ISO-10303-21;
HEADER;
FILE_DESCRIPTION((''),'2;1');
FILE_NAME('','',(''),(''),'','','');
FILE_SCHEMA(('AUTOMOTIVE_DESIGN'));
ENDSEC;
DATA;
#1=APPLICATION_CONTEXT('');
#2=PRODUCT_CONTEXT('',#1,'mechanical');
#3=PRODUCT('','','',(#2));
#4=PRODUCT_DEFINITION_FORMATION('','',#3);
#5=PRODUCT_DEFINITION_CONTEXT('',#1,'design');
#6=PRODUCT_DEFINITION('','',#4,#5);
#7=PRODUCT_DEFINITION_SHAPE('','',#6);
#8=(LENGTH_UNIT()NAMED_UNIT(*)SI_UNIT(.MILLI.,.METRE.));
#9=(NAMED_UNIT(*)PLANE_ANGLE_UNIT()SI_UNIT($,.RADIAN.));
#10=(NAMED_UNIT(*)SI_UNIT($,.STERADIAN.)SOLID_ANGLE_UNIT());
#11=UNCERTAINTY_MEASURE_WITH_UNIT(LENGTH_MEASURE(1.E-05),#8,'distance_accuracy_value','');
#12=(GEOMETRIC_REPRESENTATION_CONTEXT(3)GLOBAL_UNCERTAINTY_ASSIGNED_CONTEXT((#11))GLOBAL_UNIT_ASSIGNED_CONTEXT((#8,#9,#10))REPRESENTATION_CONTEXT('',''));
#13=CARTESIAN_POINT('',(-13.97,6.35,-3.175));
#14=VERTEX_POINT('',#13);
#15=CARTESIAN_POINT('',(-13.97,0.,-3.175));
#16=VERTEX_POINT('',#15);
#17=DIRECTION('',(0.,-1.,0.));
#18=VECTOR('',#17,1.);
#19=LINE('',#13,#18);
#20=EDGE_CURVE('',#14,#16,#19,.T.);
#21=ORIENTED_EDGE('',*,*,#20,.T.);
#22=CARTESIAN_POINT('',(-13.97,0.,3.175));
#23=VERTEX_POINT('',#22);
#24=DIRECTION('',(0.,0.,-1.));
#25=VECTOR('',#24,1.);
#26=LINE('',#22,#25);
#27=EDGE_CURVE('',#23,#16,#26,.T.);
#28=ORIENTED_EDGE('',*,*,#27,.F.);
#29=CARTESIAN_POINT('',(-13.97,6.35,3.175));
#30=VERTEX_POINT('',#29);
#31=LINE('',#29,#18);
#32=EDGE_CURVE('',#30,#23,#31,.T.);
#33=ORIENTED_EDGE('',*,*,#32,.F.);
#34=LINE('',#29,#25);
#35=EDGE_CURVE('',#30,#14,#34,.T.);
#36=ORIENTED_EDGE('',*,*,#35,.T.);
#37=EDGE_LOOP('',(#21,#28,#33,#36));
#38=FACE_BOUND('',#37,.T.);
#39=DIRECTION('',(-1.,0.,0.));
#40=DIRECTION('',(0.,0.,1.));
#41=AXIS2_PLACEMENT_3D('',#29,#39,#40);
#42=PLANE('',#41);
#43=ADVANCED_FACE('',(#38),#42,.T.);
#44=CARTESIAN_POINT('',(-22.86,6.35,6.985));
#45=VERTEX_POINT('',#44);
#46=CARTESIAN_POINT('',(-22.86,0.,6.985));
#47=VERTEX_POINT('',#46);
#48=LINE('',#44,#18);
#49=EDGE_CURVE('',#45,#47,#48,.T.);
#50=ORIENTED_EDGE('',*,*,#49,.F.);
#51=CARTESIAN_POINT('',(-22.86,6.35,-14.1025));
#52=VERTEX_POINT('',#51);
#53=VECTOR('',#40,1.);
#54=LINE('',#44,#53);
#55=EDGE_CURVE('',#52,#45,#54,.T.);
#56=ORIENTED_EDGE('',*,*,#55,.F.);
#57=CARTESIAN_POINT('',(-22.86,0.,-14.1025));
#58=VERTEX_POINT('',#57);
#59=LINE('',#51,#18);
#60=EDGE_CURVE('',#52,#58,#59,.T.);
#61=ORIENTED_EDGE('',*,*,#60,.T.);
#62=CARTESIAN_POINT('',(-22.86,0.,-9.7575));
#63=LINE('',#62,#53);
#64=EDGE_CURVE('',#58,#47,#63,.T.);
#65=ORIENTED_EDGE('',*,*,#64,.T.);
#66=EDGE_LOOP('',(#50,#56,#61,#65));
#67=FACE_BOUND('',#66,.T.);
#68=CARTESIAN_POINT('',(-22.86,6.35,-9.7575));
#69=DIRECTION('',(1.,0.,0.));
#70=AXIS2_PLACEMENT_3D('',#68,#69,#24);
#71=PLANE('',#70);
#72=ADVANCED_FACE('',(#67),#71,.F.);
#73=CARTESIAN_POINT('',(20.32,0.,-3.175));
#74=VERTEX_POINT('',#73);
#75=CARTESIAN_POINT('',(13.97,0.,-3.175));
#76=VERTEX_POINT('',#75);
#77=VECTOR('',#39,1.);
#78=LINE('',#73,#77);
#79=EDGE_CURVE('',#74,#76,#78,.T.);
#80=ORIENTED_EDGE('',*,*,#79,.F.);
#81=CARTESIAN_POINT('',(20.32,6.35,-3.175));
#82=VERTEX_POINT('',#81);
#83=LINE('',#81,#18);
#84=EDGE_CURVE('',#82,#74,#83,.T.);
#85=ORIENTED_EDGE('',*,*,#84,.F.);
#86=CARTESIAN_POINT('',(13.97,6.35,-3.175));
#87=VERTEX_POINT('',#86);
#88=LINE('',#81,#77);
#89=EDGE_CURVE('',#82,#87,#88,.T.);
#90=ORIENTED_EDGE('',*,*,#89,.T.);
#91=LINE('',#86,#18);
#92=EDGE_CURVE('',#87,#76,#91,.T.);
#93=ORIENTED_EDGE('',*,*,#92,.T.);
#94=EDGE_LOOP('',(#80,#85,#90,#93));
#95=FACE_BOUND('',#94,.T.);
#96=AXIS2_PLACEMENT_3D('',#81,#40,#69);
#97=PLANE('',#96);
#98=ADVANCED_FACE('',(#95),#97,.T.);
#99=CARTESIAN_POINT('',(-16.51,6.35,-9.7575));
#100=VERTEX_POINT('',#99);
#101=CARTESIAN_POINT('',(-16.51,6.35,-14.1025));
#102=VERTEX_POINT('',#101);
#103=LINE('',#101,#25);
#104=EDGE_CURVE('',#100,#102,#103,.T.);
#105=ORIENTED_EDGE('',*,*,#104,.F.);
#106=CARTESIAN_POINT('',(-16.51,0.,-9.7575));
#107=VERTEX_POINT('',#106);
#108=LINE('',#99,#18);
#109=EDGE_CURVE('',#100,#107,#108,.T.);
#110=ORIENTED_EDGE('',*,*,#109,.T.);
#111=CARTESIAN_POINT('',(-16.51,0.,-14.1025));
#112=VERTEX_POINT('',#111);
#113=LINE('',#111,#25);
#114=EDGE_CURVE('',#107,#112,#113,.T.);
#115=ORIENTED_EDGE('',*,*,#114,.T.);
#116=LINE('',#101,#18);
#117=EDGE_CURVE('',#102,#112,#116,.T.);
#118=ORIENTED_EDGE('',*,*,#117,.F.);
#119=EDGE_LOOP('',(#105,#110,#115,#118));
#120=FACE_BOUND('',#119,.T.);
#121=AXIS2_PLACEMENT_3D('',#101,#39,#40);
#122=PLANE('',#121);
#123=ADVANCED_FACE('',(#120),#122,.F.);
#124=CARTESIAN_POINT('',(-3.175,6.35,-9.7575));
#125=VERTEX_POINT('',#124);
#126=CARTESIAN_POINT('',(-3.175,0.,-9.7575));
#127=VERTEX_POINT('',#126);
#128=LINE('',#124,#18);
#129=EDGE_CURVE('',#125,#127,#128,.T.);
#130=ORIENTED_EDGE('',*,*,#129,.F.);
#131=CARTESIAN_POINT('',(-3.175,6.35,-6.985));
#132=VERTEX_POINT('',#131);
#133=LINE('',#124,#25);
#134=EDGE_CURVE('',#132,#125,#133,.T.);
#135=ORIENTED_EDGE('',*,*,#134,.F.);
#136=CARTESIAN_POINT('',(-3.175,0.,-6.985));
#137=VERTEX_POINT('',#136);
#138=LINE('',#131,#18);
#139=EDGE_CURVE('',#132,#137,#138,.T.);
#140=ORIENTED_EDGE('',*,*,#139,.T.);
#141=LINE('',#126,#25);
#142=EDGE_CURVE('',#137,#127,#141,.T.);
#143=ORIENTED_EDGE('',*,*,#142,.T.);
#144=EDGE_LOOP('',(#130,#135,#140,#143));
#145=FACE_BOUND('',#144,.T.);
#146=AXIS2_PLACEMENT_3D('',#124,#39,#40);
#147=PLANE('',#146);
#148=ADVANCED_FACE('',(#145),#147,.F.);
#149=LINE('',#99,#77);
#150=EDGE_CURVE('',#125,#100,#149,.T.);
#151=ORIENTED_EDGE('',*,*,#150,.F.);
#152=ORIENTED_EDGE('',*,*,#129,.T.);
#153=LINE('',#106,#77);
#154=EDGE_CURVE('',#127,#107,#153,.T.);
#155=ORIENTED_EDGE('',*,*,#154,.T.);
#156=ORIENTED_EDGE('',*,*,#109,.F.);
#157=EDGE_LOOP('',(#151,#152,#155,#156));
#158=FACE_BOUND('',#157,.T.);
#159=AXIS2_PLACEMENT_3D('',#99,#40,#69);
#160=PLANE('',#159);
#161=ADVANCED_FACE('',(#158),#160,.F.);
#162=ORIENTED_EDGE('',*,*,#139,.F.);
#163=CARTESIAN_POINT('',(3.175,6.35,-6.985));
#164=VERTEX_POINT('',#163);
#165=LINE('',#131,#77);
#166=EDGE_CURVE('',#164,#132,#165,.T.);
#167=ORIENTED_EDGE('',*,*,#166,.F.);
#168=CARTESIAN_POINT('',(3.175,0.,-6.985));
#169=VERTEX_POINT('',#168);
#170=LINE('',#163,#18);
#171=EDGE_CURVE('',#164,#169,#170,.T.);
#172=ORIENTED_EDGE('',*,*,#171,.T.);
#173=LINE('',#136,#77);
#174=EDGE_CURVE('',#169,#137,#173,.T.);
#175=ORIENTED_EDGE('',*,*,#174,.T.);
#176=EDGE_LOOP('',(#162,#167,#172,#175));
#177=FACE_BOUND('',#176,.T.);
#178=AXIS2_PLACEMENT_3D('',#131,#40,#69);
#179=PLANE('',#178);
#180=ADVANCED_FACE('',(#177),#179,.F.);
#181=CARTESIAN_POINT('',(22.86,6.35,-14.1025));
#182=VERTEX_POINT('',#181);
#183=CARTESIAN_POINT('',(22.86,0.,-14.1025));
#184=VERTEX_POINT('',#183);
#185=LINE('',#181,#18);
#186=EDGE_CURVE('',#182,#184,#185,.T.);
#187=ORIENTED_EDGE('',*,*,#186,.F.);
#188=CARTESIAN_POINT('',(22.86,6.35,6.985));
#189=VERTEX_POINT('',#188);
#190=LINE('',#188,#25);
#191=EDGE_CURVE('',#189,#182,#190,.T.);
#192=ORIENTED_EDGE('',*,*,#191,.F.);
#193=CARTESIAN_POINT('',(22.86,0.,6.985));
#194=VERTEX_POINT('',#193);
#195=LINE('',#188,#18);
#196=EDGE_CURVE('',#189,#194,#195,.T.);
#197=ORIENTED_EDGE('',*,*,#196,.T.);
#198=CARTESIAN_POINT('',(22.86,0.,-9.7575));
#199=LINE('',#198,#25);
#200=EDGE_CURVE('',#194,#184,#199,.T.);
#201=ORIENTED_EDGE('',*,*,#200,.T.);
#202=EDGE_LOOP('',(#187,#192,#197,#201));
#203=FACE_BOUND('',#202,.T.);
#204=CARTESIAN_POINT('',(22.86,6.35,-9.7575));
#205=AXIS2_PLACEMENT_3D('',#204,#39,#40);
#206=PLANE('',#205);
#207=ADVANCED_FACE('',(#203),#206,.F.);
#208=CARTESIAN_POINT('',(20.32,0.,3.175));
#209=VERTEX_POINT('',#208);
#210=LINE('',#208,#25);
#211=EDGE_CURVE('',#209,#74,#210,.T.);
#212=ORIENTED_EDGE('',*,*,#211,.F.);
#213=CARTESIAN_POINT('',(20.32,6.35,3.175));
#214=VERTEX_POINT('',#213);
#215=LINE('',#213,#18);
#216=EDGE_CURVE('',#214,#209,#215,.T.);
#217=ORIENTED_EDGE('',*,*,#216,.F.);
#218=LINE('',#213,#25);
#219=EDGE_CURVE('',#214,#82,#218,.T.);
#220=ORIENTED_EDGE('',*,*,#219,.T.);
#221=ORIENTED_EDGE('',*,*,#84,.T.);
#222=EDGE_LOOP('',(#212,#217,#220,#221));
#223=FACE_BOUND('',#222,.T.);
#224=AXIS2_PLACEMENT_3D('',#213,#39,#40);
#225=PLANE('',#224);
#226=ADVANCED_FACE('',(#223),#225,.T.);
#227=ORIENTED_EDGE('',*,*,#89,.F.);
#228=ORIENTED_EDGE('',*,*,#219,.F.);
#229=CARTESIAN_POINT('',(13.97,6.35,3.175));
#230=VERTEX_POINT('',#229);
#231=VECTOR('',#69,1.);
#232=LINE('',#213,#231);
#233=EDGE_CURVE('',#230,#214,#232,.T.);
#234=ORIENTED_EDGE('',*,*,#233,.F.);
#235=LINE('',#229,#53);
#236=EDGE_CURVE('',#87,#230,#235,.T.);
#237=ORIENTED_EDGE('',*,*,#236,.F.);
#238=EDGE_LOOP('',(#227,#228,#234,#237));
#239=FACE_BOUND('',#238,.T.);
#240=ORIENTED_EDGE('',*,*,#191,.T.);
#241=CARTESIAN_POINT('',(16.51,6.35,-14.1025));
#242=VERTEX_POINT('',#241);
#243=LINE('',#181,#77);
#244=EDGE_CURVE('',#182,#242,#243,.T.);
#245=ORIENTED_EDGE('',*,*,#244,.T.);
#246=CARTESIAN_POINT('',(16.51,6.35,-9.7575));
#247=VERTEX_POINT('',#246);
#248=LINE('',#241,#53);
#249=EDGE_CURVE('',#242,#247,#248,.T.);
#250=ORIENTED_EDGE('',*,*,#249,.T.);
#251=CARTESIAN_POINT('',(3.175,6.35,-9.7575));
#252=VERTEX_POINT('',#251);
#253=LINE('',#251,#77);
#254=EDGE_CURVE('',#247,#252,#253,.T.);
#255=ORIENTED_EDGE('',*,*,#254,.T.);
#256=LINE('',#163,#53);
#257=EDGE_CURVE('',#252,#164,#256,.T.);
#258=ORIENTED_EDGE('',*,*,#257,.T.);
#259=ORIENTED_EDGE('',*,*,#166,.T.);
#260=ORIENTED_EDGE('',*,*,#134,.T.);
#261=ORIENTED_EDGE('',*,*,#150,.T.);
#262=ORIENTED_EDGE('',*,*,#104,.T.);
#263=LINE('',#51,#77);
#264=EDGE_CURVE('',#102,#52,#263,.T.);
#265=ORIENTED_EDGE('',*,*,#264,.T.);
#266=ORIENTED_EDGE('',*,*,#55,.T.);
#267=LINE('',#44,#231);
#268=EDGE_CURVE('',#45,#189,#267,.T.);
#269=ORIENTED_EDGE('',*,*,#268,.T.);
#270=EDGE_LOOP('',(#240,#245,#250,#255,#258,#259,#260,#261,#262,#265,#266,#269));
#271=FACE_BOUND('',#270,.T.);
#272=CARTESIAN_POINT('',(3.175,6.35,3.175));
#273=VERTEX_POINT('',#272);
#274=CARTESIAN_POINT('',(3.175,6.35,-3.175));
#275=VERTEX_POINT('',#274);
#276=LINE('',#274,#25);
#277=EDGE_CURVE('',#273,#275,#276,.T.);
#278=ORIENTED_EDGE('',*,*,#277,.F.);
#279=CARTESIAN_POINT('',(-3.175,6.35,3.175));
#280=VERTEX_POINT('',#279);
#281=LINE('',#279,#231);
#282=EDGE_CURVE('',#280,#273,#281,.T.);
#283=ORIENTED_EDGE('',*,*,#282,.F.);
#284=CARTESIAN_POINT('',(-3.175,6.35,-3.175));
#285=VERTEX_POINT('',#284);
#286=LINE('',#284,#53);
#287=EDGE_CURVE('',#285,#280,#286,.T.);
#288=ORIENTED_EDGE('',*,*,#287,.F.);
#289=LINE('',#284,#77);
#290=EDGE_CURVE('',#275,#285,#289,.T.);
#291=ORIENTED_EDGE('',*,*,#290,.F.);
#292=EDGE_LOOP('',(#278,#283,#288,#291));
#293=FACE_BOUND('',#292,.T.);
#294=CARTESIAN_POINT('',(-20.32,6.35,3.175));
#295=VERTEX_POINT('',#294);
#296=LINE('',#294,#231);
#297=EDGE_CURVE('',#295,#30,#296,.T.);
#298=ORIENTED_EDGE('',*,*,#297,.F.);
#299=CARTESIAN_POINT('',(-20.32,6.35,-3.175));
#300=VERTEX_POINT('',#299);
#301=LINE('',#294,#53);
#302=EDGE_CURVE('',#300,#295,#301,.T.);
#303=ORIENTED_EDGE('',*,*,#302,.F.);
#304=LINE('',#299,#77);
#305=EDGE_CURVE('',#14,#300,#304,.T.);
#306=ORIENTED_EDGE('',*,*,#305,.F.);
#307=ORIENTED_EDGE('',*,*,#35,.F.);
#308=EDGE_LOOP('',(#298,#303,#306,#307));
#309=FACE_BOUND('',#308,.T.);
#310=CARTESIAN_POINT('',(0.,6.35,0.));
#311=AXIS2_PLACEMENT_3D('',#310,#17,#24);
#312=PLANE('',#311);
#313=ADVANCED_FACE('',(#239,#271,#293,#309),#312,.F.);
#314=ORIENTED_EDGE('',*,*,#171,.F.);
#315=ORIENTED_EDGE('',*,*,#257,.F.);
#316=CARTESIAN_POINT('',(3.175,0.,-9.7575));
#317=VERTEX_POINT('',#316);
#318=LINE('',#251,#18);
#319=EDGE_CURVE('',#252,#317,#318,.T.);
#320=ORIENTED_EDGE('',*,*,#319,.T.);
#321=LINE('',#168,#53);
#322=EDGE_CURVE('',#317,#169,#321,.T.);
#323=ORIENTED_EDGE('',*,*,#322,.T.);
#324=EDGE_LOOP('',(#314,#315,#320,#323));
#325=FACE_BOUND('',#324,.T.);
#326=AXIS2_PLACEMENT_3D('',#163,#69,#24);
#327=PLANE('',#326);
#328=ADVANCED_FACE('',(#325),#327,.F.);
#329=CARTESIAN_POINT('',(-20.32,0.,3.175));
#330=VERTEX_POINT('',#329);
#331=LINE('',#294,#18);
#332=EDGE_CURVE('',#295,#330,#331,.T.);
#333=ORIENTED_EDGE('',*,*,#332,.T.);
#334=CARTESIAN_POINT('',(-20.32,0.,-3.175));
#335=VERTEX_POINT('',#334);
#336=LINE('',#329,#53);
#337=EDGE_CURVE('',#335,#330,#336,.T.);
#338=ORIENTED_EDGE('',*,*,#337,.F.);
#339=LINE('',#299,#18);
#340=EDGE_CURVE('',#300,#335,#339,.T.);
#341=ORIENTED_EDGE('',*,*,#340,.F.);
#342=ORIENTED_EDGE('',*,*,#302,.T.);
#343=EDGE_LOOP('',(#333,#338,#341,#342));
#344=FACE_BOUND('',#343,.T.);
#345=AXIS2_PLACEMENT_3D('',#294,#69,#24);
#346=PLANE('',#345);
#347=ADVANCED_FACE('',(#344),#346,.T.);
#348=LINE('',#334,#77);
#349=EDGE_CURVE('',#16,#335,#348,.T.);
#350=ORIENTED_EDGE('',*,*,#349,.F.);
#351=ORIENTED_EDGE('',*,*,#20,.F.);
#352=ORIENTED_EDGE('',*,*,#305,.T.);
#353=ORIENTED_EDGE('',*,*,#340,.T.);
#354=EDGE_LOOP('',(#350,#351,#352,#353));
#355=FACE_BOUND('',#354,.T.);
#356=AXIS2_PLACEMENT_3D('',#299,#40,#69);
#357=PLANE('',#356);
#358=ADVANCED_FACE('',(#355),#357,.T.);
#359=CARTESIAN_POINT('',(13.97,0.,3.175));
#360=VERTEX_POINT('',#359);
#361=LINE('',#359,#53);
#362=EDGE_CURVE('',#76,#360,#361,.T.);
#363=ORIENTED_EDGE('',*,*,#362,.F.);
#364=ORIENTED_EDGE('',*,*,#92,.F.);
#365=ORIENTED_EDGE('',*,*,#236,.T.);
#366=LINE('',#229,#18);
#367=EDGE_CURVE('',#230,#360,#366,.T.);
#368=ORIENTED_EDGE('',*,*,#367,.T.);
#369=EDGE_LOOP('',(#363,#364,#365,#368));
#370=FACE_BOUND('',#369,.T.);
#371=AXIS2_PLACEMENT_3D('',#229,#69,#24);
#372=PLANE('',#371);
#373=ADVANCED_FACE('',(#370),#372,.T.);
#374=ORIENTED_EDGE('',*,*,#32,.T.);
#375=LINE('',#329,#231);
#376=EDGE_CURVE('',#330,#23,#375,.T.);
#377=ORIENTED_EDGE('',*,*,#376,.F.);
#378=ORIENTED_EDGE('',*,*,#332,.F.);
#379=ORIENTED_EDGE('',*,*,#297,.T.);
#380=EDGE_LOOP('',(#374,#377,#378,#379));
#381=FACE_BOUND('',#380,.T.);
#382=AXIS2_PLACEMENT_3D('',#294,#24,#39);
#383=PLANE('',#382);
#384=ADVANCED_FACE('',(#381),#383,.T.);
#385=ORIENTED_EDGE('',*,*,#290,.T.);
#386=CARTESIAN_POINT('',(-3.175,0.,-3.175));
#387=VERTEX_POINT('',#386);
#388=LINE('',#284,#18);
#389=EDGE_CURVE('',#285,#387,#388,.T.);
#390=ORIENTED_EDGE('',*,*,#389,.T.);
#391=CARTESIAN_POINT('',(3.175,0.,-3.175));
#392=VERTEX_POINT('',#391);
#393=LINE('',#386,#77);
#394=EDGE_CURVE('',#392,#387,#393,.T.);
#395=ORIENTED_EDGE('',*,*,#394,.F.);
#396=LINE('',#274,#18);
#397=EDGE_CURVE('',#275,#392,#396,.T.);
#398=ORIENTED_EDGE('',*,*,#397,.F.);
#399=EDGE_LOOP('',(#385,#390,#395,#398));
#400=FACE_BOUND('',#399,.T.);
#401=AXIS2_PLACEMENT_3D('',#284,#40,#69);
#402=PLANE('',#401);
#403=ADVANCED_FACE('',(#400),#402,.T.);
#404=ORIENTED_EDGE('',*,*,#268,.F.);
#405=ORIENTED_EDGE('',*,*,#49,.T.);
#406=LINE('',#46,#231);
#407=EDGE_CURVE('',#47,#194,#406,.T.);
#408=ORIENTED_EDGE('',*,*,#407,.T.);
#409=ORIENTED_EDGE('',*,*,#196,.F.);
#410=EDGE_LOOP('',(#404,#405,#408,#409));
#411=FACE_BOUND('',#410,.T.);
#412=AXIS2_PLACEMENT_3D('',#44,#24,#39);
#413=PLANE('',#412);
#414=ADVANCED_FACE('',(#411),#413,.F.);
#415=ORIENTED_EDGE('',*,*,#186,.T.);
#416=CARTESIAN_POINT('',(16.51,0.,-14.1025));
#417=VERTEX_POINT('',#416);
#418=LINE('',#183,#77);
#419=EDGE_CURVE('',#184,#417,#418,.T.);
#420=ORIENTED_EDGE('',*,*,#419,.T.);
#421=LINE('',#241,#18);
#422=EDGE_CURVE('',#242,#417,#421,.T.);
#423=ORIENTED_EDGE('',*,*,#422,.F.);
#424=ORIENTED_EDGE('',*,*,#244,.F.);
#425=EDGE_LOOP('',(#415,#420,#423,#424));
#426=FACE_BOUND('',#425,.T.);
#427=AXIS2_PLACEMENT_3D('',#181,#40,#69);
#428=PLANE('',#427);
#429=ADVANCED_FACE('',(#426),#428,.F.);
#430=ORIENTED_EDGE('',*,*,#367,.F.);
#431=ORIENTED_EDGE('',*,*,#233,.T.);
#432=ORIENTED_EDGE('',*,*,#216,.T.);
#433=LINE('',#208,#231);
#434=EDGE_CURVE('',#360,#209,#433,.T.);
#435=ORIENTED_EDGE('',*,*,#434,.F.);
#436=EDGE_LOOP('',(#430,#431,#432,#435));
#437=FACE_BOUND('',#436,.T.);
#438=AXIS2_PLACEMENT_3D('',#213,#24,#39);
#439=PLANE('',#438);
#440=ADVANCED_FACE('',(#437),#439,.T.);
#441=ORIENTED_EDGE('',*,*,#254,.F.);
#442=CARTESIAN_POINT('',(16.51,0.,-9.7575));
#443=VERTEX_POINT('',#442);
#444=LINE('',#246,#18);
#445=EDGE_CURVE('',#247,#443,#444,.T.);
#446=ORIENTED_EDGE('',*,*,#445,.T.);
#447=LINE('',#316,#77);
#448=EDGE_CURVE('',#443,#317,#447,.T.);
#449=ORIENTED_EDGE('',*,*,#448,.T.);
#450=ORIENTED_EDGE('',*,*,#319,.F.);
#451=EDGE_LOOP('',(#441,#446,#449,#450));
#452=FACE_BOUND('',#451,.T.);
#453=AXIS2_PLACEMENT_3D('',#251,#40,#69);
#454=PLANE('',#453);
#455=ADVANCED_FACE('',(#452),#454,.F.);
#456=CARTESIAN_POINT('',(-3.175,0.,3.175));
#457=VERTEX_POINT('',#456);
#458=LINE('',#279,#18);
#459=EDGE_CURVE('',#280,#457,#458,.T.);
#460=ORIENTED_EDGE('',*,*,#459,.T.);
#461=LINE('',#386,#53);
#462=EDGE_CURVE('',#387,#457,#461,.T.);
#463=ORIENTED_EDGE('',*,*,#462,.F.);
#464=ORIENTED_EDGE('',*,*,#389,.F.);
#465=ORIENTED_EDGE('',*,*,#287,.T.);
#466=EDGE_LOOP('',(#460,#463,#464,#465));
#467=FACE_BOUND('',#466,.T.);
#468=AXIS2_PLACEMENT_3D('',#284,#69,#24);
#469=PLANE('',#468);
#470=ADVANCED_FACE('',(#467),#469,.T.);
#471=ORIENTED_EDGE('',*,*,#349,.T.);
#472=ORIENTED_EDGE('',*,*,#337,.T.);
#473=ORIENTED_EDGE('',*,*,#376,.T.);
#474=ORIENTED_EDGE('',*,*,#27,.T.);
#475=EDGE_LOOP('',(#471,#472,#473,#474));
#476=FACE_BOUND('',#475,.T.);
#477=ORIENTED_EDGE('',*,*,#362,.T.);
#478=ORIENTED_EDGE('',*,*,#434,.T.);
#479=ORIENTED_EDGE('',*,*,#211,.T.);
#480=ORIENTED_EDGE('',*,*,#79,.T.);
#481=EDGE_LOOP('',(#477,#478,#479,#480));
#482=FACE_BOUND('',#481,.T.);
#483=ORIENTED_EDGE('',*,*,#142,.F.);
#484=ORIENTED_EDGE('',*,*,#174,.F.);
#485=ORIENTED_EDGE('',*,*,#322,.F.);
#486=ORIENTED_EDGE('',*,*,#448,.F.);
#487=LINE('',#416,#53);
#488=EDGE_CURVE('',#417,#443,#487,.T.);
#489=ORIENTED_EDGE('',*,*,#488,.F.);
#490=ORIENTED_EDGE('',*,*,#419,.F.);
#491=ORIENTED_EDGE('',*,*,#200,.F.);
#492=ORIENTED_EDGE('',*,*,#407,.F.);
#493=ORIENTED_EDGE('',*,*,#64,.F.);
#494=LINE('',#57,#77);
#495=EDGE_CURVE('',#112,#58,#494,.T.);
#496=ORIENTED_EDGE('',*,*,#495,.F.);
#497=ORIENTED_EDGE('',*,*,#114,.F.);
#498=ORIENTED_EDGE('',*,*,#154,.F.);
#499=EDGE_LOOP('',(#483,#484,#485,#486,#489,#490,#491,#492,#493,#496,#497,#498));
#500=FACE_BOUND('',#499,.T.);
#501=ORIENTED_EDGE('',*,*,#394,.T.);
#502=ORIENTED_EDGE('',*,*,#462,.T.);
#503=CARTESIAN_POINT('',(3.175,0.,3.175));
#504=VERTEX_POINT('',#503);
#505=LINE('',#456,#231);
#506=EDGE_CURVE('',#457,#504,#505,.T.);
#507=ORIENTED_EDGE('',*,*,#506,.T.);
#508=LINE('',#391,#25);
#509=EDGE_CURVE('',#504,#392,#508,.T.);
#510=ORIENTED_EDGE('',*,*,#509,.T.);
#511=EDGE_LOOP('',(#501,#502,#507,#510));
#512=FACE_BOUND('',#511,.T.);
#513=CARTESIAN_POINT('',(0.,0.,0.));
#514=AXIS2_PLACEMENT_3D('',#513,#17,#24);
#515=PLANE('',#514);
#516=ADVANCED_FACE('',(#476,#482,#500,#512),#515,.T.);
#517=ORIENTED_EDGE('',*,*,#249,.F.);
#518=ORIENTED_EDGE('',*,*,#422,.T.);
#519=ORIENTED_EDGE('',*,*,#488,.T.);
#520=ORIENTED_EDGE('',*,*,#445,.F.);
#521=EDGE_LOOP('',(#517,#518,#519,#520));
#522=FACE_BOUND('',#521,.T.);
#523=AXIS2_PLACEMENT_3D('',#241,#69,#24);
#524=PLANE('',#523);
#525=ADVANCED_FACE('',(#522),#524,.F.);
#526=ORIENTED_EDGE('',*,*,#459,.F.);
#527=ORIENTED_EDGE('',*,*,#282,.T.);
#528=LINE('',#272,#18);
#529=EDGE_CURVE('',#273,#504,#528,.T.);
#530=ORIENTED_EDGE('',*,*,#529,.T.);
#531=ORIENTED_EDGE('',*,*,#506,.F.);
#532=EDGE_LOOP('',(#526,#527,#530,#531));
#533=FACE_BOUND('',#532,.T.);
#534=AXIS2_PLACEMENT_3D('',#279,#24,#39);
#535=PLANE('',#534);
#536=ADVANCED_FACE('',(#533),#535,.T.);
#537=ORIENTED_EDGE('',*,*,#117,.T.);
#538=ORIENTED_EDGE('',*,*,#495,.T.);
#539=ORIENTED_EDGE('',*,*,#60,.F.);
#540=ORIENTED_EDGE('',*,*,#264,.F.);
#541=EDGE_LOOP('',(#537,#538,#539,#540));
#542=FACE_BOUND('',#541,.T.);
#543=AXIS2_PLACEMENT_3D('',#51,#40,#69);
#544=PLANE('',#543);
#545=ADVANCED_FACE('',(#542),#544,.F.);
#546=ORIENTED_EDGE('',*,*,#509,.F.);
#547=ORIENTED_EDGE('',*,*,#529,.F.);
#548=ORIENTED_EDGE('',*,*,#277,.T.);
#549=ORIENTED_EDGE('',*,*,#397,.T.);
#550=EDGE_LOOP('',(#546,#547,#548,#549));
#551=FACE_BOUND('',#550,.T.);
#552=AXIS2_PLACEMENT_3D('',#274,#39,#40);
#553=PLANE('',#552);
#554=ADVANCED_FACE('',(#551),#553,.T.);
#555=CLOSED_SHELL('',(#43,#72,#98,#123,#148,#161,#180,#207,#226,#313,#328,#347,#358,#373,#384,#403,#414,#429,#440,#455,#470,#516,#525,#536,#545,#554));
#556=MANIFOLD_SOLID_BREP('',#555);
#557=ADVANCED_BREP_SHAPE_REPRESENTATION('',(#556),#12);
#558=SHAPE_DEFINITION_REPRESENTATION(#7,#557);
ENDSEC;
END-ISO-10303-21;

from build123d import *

# Parameters (mm, degrees)
SKETCH1_W           = 6.35
SKETCH1_H           = 6.35
BOSS_EXTRUDE1_DEPTH = 6.35


with BuildPart() as part:
    # Sketch1 → Boss-Extrude1 (new body)
    with BuildSketch(Plane(origin=(0, 0, 0), x_dir=(1, 0, 0), z_dir=(0, 1, 0))):
        Polygon((-22.86, -6.985), (22.86, -6.985), (22.86, 9.757500043), (22.86, 14.102499989), (16.51, 14.102499989), (16.51, 9.757500043), (3.175, 9.757500043), (3.175, 6.985), (-3.175, 6.985), (-3.175, 9.757500043), (-16.51, 9.757500043), (-16.51, 14.102499989), (-22.86, 14.102499989), (-22.86, 9.757500043), align=None)
        Rectangle(SKETCH1_W, SKETCH1_H, mode=Mode.SUBTRACT)
        with Locations((17.145, 0)):
            Rectangle(SKETCH1_W, SKETCH1_H, mode=Mode.SUBTRACT)
        with Locations((-17.145, 0)):
            Rectangle(SKETCH1_W, SKETCH1_H, mode=Mode.SUBTRACT)
    extrude(amount=BOSS_EXTRUDE1_DEPTH)


solid = part.part
